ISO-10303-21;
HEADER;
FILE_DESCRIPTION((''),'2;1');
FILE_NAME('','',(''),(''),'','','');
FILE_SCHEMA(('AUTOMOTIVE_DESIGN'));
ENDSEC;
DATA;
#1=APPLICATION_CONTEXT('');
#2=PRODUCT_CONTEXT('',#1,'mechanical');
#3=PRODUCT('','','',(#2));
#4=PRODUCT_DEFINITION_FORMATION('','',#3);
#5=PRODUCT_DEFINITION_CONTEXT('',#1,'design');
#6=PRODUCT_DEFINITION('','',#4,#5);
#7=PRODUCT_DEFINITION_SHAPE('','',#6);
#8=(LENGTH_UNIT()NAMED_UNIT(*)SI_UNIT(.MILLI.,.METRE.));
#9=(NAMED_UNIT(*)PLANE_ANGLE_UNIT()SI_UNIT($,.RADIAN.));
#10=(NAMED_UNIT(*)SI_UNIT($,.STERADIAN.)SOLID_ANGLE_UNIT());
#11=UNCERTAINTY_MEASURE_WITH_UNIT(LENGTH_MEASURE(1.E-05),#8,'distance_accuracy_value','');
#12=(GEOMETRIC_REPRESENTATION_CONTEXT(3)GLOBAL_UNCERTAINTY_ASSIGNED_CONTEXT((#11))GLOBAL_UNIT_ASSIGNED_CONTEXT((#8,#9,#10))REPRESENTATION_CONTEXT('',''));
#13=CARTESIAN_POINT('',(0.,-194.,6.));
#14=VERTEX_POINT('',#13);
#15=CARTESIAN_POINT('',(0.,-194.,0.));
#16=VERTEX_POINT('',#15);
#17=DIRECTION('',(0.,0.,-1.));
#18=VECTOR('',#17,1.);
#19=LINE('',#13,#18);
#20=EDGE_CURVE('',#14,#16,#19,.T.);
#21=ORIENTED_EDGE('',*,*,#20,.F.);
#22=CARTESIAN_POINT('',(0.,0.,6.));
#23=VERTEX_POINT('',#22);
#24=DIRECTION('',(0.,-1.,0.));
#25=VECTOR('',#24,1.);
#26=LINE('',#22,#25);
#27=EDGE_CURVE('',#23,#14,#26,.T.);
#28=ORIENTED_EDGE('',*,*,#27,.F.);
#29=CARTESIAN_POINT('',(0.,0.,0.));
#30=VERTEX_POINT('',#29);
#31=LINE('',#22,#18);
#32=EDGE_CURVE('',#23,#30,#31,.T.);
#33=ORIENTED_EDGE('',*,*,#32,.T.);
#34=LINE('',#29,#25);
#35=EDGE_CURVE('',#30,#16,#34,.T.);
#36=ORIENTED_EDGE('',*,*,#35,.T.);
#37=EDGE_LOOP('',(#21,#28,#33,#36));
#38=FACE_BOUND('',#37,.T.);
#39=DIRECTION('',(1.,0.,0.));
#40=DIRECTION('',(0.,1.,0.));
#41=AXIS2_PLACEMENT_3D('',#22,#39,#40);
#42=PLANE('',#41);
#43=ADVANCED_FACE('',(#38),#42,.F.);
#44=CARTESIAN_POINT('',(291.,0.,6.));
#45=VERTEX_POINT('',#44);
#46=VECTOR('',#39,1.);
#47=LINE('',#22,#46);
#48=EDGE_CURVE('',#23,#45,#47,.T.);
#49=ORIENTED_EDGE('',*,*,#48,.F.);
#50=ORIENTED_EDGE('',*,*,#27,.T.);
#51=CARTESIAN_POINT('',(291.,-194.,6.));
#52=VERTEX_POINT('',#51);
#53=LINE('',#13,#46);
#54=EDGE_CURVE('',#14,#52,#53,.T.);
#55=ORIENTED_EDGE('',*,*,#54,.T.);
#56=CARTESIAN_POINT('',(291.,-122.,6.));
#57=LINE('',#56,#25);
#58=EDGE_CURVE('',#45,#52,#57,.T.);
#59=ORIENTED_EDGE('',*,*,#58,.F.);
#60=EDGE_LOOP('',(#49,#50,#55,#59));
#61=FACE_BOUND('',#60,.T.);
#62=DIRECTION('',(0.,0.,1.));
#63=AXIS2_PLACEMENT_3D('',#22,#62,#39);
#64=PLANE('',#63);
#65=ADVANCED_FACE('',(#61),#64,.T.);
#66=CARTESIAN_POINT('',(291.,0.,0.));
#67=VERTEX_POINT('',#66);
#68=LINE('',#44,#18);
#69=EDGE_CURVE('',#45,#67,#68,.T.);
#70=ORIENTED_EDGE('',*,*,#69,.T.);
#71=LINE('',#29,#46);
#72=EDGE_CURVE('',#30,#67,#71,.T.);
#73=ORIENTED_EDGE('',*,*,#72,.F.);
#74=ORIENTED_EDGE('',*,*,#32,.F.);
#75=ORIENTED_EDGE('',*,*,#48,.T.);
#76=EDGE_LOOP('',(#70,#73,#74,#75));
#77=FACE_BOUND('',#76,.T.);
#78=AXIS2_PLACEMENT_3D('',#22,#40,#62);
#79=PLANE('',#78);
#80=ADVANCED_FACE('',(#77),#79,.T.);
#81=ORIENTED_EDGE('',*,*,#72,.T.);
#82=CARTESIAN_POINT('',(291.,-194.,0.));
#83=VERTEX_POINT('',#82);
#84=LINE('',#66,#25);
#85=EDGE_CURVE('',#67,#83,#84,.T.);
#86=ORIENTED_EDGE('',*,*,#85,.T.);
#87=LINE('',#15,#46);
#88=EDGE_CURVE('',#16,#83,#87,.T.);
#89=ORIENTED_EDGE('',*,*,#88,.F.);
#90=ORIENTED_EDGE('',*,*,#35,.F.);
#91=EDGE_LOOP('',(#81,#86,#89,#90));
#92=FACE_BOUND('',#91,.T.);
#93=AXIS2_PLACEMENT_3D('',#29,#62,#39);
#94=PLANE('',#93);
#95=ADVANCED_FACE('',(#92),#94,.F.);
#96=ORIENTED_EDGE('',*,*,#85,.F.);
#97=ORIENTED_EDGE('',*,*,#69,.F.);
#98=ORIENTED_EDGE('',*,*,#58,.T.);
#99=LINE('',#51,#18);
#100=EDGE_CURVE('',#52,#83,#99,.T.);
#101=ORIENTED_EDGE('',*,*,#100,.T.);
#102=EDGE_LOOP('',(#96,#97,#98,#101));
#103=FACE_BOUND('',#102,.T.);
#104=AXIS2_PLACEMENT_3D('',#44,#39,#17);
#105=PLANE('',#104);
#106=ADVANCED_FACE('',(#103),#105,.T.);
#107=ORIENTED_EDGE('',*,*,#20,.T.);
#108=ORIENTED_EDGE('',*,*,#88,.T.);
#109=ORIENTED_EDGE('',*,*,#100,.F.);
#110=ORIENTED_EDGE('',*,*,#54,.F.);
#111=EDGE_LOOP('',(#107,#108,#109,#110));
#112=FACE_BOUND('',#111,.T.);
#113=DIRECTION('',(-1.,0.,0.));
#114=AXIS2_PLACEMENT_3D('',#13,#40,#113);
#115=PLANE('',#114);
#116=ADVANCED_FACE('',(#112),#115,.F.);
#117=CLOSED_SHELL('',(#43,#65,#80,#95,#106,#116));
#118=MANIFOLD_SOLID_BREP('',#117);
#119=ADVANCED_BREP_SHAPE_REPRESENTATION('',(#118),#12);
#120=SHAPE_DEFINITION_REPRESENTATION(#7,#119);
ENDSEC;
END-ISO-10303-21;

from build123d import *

# Parameters (mm, degrees)
BOSS_EXTRUDE1_DEPTH = 6


with BuildPart() as part:
    # Sketch1 → Boss-Extrude1 (new body)
    with BuildSketch(Plane.XY):
        Polygon((0, 0), (0, -194), (291, -194), (291, -122), (291, -72), (291, 0), align=None)
    extrude(amount=BOSS_EXTRUDE1_DEPTH)


solid = part.part
